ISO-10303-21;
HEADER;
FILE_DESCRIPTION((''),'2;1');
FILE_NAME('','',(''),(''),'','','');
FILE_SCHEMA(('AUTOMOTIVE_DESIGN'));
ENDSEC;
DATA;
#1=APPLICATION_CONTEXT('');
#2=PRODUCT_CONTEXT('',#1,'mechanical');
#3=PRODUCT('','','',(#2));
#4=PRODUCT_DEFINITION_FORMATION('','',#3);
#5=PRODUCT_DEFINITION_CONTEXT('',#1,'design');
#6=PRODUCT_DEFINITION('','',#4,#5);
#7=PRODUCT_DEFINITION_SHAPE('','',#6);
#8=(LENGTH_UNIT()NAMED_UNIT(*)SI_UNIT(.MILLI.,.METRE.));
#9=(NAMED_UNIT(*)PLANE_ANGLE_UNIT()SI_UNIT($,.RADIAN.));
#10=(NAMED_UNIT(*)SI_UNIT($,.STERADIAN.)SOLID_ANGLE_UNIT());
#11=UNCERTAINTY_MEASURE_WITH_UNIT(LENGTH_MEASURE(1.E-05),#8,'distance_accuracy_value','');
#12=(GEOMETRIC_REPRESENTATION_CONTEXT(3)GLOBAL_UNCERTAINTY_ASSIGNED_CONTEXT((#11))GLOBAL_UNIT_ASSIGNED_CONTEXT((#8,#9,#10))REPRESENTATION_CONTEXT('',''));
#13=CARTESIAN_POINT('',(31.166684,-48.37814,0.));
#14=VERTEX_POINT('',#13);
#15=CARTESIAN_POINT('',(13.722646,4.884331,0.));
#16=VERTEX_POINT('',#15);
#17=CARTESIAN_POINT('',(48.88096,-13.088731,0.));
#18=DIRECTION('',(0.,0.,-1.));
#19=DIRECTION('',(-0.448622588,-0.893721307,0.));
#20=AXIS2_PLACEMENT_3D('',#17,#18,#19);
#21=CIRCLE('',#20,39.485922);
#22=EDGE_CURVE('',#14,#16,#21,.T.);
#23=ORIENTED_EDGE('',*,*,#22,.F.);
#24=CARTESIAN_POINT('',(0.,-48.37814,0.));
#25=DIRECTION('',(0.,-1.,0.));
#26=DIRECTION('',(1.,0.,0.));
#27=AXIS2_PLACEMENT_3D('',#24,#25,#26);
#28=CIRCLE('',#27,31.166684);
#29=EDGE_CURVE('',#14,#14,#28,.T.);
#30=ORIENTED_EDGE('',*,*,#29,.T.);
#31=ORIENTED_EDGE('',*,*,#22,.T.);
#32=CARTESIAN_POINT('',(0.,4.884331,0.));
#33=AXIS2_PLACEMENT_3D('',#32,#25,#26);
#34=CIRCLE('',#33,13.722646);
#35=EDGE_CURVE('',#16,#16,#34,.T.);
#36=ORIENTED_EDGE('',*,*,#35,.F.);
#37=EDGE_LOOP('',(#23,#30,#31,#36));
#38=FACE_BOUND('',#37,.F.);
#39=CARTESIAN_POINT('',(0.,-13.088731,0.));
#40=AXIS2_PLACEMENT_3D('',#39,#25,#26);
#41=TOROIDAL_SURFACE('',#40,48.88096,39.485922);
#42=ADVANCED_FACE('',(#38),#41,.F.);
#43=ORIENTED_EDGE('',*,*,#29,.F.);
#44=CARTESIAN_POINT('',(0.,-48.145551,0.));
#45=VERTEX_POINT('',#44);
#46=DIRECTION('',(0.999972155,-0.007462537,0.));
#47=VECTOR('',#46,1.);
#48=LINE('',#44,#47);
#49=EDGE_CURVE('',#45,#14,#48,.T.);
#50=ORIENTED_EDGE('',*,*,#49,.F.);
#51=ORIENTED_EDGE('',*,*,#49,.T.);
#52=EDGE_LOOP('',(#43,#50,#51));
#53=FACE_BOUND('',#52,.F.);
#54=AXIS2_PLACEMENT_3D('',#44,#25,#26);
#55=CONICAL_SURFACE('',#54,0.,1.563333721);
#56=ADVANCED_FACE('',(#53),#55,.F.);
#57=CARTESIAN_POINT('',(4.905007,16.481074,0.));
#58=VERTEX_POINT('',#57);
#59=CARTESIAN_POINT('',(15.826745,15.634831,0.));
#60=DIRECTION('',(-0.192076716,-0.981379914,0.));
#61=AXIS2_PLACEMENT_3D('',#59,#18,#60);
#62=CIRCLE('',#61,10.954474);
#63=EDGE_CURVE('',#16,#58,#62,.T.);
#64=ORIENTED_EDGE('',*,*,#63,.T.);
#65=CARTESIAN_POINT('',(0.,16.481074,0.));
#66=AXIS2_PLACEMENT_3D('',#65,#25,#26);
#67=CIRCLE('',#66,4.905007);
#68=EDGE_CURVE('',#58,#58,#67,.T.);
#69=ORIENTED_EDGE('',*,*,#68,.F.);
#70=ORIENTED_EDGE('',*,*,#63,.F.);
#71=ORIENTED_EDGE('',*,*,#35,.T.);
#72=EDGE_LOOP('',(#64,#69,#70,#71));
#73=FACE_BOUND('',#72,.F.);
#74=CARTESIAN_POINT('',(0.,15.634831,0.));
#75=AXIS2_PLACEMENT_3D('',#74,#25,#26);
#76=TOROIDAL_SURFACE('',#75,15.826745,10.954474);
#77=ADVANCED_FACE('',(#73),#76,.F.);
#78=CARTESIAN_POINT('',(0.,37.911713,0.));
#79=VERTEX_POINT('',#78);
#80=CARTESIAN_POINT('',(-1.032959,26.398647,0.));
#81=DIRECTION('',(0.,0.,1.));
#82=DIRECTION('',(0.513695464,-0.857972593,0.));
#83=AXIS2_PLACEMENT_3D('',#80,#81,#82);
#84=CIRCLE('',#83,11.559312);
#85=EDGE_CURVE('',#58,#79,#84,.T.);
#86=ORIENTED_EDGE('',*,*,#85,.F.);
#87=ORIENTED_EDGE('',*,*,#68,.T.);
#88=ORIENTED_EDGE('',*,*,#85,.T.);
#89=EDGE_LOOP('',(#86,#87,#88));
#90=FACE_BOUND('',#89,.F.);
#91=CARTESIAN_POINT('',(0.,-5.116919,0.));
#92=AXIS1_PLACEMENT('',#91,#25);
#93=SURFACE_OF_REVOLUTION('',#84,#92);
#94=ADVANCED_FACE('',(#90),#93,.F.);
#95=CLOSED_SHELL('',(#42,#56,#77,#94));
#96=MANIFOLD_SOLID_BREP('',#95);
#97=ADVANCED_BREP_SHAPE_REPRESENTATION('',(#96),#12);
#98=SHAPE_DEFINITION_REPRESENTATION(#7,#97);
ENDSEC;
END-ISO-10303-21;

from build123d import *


with BuildPart() as f1:
    # F0 (on Top) → F1 (revolve)
    with BuildSketch(Plane.XY):
        with BuildLine():
            ThreePointArc((4.905007, 16.481074), (10.234983, 28.977634), (0, 37.911713))
            Line((0, 37.911713), (0, 14.885581))
            ThreePointArc((0, 14.885581), (2.542632, 15.406248), (4.905007, 16.481074))
        make_face()
        with BuildLine():
            ThreePointArc((4.905007, 16.481074), (2.542632, 15.406248), (0, 14.885581))
            Line((0, 14.885581), (0, -48.145551))
            Line((0, -48.145551), (31.166684, -48.37814))
            ThreePointArc((31.166684, -48.37814), (11.356296, -25.378465), (13.722646, 4.884331))
            ThreePointArc((13.722646, 4.884331), (7.106698, 9.004502), (4.905007, 16.481074))
        make_face()
    revolve(axis=Axis((0, -5.116919, 0), (0, -1, 0)))


solid = f1.part
